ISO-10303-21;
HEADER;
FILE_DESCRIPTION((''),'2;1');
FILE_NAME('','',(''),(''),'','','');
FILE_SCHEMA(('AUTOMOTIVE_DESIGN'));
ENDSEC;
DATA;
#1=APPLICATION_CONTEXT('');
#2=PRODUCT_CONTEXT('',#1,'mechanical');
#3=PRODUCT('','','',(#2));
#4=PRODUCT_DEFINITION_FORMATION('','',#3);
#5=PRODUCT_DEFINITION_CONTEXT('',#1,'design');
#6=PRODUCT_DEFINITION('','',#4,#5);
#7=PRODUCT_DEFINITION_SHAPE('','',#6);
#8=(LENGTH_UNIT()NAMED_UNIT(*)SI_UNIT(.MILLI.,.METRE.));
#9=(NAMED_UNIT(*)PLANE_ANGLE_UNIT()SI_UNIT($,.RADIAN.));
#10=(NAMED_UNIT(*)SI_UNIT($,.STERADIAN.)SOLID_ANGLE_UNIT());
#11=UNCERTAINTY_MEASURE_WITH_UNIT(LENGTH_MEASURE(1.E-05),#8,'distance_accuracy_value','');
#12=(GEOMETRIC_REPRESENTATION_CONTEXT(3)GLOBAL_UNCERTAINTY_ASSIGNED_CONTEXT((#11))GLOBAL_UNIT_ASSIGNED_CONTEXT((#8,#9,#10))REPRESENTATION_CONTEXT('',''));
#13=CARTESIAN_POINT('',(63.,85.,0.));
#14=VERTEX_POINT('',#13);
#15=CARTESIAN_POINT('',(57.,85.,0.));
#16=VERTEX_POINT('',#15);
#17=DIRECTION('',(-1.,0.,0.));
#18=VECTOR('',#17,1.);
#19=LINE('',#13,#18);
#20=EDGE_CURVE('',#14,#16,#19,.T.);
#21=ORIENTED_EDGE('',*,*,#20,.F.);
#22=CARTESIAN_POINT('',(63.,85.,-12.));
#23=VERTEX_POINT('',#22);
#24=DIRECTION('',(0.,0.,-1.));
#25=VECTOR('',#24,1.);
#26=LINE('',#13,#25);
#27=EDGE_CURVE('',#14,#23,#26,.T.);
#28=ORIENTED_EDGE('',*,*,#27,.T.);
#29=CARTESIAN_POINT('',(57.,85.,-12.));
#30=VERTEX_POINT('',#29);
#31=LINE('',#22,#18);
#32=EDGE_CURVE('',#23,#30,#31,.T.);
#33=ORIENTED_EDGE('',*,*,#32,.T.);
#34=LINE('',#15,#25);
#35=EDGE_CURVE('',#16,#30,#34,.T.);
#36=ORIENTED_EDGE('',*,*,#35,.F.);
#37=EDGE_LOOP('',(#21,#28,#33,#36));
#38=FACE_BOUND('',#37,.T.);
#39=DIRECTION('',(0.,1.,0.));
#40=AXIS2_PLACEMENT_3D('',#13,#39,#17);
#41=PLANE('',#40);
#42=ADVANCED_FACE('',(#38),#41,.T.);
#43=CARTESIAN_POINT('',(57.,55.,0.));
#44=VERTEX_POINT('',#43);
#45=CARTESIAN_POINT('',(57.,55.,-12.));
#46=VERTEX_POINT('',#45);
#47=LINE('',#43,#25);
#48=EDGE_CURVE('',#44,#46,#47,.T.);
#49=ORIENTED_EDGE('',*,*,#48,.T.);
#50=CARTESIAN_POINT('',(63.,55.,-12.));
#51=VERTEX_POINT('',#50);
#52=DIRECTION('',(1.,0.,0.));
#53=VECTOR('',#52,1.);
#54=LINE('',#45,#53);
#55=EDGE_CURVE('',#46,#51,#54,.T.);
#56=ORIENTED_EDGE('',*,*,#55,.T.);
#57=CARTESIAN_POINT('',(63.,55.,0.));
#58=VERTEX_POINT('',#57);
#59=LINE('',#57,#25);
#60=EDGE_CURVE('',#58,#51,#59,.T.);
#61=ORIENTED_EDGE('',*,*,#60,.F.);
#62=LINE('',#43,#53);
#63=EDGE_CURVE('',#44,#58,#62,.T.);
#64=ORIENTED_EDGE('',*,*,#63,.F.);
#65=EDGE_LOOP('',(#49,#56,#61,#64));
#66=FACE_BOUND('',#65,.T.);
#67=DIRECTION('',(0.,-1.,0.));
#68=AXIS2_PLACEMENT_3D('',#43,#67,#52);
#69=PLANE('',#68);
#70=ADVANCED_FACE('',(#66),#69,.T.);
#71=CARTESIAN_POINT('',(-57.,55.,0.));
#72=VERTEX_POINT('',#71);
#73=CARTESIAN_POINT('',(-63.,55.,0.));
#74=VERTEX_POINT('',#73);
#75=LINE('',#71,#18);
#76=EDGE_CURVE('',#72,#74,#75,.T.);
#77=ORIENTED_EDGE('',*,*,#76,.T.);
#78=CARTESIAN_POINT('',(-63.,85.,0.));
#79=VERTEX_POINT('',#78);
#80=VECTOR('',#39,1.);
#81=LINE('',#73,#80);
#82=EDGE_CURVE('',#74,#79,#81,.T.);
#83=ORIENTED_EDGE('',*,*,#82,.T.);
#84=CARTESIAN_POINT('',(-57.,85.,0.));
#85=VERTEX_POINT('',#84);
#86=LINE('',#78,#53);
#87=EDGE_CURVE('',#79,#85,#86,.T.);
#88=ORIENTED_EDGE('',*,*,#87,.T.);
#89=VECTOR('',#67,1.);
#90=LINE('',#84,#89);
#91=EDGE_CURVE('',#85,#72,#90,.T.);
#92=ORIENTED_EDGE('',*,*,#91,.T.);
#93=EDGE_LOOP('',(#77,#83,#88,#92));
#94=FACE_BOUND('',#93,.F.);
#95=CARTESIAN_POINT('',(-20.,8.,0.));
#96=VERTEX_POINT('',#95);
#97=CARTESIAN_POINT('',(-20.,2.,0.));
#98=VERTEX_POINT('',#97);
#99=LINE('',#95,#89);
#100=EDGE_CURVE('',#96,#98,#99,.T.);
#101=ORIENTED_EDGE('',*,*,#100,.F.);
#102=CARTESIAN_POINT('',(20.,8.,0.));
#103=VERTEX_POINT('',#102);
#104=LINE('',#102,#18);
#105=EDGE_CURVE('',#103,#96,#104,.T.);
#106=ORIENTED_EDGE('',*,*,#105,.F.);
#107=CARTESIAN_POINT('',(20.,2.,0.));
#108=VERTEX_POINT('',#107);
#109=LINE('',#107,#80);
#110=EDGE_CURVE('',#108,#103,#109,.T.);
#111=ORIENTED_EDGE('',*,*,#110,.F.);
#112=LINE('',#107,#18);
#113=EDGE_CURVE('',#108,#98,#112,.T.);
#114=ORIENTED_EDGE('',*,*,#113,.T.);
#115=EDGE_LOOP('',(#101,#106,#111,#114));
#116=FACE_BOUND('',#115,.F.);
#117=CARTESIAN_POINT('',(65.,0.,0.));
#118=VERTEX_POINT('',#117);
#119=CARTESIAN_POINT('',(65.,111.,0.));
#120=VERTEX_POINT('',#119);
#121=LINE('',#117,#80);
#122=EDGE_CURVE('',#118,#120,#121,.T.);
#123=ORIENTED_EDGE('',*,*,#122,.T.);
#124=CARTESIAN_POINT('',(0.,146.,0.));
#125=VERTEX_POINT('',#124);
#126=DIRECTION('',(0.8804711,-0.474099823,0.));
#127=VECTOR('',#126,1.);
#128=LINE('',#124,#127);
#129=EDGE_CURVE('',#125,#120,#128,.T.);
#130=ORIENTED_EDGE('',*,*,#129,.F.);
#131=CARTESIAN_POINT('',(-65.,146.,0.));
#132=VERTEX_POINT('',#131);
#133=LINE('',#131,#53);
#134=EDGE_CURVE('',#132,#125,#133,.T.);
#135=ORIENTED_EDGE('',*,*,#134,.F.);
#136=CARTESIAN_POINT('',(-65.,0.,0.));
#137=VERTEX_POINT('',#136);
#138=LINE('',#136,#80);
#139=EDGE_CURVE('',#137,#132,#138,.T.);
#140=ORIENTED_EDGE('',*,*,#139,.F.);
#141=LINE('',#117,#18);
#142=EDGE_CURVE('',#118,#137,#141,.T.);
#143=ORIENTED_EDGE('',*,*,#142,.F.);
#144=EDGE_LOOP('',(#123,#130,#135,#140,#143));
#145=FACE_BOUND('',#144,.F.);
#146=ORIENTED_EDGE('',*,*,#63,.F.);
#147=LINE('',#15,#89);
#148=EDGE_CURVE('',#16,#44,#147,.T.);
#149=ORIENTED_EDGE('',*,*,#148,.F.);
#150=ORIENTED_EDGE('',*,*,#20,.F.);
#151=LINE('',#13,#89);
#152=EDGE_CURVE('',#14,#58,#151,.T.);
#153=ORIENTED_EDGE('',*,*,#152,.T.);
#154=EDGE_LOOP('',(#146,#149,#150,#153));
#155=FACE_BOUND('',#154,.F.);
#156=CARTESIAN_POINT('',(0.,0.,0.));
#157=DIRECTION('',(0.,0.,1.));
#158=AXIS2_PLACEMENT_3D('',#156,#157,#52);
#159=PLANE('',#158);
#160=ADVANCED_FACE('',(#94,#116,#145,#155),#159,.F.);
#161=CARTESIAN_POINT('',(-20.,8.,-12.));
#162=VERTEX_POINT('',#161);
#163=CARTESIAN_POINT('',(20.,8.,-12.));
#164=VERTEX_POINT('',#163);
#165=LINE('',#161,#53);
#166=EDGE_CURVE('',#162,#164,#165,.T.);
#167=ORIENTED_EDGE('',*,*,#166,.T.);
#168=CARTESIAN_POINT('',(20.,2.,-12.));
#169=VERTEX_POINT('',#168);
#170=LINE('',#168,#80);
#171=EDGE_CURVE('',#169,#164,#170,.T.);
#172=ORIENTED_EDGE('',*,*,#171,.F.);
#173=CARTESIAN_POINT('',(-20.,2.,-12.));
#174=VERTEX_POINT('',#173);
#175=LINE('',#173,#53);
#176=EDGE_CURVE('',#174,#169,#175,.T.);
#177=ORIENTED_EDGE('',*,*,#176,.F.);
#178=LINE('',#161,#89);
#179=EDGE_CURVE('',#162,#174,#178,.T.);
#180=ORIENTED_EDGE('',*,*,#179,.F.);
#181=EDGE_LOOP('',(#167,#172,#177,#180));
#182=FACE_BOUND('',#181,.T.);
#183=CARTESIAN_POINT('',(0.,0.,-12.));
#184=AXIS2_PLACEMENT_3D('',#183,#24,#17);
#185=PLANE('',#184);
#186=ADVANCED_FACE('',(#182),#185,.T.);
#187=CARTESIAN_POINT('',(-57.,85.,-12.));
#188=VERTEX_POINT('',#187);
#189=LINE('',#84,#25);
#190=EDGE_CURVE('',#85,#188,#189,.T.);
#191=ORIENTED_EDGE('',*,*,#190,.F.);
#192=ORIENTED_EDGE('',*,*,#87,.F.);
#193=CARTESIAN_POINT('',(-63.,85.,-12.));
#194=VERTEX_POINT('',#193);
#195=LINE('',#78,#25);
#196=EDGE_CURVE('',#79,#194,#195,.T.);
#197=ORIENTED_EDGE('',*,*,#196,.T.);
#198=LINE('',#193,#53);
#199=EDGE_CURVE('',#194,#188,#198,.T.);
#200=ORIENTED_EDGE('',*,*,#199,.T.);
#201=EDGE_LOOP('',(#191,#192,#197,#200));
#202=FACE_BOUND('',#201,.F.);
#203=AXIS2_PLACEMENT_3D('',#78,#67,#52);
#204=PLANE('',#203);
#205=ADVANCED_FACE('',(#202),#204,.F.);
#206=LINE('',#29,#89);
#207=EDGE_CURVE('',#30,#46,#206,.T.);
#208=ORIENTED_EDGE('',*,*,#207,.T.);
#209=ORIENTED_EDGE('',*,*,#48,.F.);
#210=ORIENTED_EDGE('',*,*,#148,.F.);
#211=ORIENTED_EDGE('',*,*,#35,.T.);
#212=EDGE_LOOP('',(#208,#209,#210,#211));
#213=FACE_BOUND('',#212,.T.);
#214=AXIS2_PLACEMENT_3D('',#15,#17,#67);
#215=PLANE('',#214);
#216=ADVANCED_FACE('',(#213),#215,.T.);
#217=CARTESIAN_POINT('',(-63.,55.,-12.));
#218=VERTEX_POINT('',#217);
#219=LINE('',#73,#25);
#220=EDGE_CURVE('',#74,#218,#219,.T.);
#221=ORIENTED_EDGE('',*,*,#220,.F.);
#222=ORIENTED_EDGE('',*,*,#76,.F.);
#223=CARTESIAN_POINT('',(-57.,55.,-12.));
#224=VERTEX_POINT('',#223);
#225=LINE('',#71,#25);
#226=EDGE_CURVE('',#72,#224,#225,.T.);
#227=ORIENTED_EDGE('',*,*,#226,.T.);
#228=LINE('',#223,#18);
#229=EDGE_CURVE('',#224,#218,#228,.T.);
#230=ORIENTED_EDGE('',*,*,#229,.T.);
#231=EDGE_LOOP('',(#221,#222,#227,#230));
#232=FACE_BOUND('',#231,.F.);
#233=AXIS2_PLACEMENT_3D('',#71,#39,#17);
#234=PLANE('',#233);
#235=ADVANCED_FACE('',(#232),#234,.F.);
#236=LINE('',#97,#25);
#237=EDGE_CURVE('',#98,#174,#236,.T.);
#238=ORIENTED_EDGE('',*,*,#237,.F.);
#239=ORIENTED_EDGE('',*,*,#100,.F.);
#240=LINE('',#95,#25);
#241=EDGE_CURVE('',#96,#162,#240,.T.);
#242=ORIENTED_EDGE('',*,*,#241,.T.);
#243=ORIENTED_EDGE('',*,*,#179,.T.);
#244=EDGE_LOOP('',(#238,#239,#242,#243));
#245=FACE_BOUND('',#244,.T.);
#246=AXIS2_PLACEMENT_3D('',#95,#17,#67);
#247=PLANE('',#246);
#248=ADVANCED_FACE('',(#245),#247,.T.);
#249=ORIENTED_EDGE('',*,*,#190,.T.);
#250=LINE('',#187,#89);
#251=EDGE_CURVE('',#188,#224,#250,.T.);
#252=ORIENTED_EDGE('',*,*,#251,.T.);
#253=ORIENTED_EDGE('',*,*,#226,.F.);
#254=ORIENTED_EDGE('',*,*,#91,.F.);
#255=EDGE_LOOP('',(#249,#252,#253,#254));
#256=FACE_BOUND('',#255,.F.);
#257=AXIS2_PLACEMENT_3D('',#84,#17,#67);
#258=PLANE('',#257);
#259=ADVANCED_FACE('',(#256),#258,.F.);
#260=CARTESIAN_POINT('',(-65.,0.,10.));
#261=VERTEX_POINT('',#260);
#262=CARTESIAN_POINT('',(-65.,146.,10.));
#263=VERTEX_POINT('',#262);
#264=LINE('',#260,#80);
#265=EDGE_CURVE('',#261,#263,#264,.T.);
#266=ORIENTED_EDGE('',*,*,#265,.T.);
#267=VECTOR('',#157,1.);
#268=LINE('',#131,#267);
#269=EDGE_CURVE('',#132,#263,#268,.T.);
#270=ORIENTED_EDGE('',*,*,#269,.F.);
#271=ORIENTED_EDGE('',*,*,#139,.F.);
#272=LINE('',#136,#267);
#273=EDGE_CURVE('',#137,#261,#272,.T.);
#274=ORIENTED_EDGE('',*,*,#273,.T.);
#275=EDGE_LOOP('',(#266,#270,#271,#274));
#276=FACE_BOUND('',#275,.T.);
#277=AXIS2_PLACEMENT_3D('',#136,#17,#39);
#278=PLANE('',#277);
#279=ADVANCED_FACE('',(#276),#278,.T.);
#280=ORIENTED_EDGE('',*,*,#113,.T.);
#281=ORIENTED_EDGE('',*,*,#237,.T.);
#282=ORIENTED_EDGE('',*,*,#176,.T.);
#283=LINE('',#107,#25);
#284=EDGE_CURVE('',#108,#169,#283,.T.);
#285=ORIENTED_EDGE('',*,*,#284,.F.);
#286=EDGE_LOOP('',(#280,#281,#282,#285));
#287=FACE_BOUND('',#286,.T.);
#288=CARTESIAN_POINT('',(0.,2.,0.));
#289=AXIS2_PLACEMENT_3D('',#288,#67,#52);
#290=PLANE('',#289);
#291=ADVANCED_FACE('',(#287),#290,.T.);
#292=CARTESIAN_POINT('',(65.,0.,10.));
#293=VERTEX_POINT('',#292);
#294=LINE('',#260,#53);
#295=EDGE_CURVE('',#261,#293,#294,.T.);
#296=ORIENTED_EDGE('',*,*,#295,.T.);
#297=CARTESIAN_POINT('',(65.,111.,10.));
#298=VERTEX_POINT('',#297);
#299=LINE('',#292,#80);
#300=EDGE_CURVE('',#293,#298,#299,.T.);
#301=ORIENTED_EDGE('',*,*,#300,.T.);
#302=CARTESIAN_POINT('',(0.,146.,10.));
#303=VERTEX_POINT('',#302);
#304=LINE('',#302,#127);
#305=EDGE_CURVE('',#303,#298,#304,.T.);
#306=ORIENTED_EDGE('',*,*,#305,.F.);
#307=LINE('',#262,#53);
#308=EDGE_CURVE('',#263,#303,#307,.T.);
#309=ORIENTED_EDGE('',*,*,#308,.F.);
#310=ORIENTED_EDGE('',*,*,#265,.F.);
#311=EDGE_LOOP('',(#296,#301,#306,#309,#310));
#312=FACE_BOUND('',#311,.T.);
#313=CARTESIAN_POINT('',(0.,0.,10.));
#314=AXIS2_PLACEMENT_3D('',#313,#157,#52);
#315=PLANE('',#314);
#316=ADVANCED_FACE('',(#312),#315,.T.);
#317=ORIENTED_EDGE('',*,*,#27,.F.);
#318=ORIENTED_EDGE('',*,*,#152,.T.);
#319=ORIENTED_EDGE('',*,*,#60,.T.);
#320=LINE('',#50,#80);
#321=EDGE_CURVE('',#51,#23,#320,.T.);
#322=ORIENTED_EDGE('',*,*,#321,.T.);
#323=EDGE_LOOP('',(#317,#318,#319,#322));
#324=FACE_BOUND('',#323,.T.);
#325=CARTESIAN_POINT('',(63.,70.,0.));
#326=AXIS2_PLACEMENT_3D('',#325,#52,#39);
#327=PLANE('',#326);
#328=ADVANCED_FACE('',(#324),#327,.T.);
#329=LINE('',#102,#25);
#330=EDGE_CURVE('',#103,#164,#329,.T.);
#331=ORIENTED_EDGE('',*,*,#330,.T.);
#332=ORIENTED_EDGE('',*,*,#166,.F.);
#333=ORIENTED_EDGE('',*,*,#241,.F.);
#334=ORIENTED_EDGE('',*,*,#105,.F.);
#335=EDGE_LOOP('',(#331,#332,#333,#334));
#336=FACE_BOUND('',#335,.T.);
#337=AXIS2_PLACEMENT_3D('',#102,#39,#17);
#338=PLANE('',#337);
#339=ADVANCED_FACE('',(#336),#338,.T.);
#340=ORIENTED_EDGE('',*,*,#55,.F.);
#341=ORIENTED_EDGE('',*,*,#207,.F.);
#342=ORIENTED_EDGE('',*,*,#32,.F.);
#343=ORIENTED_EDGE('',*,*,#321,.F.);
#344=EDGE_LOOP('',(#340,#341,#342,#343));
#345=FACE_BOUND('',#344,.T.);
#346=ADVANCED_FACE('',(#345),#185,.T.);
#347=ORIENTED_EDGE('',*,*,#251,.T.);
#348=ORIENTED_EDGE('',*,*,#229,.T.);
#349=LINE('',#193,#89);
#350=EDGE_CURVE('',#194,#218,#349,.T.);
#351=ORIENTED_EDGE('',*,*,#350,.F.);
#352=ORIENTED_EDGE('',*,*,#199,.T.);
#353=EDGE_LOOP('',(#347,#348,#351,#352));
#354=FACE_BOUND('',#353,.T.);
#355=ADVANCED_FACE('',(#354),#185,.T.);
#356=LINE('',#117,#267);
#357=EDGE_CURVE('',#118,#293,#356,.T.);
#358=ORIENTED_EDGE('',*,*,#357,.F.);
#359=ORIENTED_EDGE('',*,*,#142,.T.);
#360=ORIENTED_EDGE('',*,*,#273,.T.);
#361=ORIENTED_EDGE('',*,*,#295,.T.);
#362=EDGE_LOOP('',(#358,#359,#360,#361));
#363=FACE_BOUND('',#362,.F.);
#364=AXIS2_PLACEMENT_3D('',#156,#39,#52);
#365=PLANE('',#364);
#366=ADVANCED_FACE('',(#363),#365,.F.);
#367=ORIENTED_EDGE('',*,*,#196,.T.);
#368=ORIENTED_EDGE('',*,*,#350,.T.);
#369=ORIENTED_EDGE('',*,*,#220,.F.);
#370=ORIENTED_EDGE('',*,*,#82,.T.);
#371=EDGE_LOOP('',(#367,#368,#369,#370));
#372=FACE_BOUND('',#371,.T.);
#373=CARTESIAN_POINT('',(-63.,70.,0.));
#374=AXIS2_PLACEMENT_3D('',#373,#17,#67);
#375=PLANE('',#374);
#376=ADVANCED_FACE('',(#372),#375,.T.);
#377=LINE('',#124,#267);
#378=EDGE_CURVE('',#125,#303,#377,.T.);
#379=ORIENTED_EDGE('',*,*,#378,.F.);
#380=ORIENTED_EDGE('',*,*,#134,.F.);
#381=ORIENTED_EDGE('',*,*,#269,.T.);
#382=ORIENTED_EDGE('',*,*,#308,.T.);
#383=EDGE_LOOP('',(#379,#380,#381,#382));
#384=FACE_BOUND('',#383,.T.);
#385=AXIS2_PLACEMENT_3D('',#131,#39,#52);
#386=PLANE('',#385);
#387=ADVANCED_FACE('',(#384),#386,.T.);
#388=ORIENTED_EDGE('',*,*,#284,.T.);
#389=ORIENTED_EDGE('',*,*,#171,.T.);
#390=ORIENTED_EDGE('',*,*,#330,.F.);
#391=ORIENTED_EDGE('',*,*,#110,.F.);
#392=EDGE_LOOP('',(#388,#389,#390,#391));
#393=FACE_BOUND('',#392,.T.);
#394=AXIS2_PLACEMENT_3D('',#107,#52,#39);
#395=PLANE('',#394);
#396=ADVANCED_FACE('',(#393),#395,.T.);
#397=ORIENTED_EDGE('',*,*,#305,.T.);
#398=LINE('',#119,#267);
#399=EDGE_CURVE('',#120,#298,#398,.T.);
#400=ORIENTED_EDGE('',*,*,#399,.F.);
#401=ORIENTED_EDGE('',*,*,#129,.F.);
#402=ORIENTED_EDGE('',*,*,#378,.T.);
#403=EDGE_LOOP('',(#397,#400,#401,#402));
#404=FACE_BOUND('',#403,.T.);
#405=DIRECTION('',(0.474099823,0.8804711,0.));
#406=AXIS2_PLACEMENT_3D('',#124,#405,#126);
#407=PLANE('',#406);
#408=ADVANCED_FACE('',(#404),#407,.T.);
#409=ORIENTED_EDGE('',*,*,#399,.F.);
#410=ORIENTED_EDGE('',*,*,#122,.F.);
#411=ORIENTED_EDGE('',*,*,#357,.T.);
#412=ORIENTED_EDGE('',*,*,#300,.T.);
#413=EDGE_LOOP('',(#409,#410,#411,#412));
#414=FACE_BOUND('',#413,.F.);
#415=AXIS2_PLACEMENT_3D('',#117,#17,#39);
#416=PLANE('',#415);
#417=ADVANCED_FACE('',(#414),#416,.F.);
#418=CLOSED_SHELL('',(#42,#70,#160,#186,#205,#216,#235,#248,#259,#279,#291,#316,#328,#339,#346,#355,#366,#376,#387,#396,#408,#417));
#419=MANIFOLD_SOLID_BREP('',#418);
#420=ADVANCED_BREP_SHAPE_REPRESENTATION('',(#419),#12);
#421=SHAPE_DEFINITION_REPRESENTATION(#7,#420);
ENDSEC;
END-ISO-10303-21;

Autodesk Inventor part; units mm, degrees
ref_plane "YZ Plane" through (0, 0, 0) normal (1, 0, 0) x (0, 1, 0)
ref_plane "XZ Plane" through (0, 0, 0) normal (0, 1, 0) x (-1, 0, 0)
ref_plane "XY Plane" through (0, 0, 0) normal (0, 0, 1) x (1, 0, 0)
sketch "Sketch1" plane through (0, 0, 0) normal (0, 0, 1) x (1, 0, 0)
  line L0 (0, 175.2) -> (0, -29.2) projected
  line L1 (-91, 0) -> (91, 0) projected
  line L2 (0, 0) -> (-65, 0)
  line L3 (-65, 0) -> (-65, 146)
  line L4 (0, 0) -> (65, 0)
  line L5 (65, 0) -> (65, 111)
  line L6 (-65, 146) -> (0, 146)
  line L7 (0, 146) -> (65, 111)
  dimension "d0" = 65
  dimension "d1" = 146
  dimension "d2" = 65
  dimension "d3" = 111
  dimension "d4" = 65
extrude "Extrusion1" add sketch "Sketch1" along normal blind 10
sketch "Sketch2" plane through (0, 0, 0) normal (0, 0, -1) x (-1, 0, 0)
  line L0 (0, -29.2) -> (0, 175.2) projected
  line L1 (-91, 0) -> (91, 0) projected
  line L2 (65, 146) -> (65, 0) projected
  line L3 (0, 146) -> (65, 146) projected
  line L4 (-65, 111) -> (0, 146) projected
  line L5 (-65, 0) -> (-65, 111) projected
  line L6 (65, 0) -> (-65, 0) projected
  line L7 (-65, 0) -> (-55, 0)
  line L8 (-55, 0) -> (-55, 116.3846)
  line L9 (65, 0) -> (65, 10)
  line L10 (65, 10) -> (-65, 10)
  line L11 (65, 0) -> (55, 0)
  line L12 (55, 0) -> (55, 146)
  line L13 (-65, 0) -> (-65, 70)
  line L14 (-65, 70) -> (-63, 70)
  line L15 (-63, 70) -> (-63, 85)
  line L16 (-63, 85) -> (-57, 85)
  line L17 (-57, 85) -> (-57, 55)
  line L18 (-57, 55) -> (-63, 55)
  line L19 (-63, 55) -> (-63, 70)
  line L20 (65, 0) -> (65, 70)
  line L21 (65, 70) -> (63, 70)
  line L22 (63, 70) -> (63, 85)
  line L23 (63, 85) -> (57, 85)
  line L24 (57, 85) -> (57, 55)
  line L25 (57, 55) -> (63, 55)
  line L26 (63, 70) -> (63, 55)
  line L27 (0, 0) -> (0, 2)
  line L28 (0, 2) -> (-20, 2)
  line L29 (-20, 2) -> (-20, 8)
  line L30 (-20, 8) -> (20, 8)
  line L31 (20, 8) -> (20, 2)
  line L32 (20, 2) -> (0, 2)
  dimension "d7" = 10
  dimension "d8" = 10
  dimension "d9" = 10
  dimension "d10" = 70
  dimension "d11" = 2
  dimension "d12" = 15
  dimension "d13" = 6
  dimension "d14" = 30
  dimension "d15" = 70
  dimension "d16" = 2
  dimension "d17" = 15
  dimension "d18" = 6
  dimension "d19" = 30
  dimension "d20" = 2
  dimension "d21" = 20
  dimension "d22" = 6
  dimension "d23" = 40
extrude "Extrusion2" add sketch "Sketch2" along normal blind 12 contours L28 L29 L30 L0 | L0 L30 L31 L32 | L15 L16 L17 L18 L19 | L26 L25 L24 L23 L22
properties part number "Afsluitklep"
